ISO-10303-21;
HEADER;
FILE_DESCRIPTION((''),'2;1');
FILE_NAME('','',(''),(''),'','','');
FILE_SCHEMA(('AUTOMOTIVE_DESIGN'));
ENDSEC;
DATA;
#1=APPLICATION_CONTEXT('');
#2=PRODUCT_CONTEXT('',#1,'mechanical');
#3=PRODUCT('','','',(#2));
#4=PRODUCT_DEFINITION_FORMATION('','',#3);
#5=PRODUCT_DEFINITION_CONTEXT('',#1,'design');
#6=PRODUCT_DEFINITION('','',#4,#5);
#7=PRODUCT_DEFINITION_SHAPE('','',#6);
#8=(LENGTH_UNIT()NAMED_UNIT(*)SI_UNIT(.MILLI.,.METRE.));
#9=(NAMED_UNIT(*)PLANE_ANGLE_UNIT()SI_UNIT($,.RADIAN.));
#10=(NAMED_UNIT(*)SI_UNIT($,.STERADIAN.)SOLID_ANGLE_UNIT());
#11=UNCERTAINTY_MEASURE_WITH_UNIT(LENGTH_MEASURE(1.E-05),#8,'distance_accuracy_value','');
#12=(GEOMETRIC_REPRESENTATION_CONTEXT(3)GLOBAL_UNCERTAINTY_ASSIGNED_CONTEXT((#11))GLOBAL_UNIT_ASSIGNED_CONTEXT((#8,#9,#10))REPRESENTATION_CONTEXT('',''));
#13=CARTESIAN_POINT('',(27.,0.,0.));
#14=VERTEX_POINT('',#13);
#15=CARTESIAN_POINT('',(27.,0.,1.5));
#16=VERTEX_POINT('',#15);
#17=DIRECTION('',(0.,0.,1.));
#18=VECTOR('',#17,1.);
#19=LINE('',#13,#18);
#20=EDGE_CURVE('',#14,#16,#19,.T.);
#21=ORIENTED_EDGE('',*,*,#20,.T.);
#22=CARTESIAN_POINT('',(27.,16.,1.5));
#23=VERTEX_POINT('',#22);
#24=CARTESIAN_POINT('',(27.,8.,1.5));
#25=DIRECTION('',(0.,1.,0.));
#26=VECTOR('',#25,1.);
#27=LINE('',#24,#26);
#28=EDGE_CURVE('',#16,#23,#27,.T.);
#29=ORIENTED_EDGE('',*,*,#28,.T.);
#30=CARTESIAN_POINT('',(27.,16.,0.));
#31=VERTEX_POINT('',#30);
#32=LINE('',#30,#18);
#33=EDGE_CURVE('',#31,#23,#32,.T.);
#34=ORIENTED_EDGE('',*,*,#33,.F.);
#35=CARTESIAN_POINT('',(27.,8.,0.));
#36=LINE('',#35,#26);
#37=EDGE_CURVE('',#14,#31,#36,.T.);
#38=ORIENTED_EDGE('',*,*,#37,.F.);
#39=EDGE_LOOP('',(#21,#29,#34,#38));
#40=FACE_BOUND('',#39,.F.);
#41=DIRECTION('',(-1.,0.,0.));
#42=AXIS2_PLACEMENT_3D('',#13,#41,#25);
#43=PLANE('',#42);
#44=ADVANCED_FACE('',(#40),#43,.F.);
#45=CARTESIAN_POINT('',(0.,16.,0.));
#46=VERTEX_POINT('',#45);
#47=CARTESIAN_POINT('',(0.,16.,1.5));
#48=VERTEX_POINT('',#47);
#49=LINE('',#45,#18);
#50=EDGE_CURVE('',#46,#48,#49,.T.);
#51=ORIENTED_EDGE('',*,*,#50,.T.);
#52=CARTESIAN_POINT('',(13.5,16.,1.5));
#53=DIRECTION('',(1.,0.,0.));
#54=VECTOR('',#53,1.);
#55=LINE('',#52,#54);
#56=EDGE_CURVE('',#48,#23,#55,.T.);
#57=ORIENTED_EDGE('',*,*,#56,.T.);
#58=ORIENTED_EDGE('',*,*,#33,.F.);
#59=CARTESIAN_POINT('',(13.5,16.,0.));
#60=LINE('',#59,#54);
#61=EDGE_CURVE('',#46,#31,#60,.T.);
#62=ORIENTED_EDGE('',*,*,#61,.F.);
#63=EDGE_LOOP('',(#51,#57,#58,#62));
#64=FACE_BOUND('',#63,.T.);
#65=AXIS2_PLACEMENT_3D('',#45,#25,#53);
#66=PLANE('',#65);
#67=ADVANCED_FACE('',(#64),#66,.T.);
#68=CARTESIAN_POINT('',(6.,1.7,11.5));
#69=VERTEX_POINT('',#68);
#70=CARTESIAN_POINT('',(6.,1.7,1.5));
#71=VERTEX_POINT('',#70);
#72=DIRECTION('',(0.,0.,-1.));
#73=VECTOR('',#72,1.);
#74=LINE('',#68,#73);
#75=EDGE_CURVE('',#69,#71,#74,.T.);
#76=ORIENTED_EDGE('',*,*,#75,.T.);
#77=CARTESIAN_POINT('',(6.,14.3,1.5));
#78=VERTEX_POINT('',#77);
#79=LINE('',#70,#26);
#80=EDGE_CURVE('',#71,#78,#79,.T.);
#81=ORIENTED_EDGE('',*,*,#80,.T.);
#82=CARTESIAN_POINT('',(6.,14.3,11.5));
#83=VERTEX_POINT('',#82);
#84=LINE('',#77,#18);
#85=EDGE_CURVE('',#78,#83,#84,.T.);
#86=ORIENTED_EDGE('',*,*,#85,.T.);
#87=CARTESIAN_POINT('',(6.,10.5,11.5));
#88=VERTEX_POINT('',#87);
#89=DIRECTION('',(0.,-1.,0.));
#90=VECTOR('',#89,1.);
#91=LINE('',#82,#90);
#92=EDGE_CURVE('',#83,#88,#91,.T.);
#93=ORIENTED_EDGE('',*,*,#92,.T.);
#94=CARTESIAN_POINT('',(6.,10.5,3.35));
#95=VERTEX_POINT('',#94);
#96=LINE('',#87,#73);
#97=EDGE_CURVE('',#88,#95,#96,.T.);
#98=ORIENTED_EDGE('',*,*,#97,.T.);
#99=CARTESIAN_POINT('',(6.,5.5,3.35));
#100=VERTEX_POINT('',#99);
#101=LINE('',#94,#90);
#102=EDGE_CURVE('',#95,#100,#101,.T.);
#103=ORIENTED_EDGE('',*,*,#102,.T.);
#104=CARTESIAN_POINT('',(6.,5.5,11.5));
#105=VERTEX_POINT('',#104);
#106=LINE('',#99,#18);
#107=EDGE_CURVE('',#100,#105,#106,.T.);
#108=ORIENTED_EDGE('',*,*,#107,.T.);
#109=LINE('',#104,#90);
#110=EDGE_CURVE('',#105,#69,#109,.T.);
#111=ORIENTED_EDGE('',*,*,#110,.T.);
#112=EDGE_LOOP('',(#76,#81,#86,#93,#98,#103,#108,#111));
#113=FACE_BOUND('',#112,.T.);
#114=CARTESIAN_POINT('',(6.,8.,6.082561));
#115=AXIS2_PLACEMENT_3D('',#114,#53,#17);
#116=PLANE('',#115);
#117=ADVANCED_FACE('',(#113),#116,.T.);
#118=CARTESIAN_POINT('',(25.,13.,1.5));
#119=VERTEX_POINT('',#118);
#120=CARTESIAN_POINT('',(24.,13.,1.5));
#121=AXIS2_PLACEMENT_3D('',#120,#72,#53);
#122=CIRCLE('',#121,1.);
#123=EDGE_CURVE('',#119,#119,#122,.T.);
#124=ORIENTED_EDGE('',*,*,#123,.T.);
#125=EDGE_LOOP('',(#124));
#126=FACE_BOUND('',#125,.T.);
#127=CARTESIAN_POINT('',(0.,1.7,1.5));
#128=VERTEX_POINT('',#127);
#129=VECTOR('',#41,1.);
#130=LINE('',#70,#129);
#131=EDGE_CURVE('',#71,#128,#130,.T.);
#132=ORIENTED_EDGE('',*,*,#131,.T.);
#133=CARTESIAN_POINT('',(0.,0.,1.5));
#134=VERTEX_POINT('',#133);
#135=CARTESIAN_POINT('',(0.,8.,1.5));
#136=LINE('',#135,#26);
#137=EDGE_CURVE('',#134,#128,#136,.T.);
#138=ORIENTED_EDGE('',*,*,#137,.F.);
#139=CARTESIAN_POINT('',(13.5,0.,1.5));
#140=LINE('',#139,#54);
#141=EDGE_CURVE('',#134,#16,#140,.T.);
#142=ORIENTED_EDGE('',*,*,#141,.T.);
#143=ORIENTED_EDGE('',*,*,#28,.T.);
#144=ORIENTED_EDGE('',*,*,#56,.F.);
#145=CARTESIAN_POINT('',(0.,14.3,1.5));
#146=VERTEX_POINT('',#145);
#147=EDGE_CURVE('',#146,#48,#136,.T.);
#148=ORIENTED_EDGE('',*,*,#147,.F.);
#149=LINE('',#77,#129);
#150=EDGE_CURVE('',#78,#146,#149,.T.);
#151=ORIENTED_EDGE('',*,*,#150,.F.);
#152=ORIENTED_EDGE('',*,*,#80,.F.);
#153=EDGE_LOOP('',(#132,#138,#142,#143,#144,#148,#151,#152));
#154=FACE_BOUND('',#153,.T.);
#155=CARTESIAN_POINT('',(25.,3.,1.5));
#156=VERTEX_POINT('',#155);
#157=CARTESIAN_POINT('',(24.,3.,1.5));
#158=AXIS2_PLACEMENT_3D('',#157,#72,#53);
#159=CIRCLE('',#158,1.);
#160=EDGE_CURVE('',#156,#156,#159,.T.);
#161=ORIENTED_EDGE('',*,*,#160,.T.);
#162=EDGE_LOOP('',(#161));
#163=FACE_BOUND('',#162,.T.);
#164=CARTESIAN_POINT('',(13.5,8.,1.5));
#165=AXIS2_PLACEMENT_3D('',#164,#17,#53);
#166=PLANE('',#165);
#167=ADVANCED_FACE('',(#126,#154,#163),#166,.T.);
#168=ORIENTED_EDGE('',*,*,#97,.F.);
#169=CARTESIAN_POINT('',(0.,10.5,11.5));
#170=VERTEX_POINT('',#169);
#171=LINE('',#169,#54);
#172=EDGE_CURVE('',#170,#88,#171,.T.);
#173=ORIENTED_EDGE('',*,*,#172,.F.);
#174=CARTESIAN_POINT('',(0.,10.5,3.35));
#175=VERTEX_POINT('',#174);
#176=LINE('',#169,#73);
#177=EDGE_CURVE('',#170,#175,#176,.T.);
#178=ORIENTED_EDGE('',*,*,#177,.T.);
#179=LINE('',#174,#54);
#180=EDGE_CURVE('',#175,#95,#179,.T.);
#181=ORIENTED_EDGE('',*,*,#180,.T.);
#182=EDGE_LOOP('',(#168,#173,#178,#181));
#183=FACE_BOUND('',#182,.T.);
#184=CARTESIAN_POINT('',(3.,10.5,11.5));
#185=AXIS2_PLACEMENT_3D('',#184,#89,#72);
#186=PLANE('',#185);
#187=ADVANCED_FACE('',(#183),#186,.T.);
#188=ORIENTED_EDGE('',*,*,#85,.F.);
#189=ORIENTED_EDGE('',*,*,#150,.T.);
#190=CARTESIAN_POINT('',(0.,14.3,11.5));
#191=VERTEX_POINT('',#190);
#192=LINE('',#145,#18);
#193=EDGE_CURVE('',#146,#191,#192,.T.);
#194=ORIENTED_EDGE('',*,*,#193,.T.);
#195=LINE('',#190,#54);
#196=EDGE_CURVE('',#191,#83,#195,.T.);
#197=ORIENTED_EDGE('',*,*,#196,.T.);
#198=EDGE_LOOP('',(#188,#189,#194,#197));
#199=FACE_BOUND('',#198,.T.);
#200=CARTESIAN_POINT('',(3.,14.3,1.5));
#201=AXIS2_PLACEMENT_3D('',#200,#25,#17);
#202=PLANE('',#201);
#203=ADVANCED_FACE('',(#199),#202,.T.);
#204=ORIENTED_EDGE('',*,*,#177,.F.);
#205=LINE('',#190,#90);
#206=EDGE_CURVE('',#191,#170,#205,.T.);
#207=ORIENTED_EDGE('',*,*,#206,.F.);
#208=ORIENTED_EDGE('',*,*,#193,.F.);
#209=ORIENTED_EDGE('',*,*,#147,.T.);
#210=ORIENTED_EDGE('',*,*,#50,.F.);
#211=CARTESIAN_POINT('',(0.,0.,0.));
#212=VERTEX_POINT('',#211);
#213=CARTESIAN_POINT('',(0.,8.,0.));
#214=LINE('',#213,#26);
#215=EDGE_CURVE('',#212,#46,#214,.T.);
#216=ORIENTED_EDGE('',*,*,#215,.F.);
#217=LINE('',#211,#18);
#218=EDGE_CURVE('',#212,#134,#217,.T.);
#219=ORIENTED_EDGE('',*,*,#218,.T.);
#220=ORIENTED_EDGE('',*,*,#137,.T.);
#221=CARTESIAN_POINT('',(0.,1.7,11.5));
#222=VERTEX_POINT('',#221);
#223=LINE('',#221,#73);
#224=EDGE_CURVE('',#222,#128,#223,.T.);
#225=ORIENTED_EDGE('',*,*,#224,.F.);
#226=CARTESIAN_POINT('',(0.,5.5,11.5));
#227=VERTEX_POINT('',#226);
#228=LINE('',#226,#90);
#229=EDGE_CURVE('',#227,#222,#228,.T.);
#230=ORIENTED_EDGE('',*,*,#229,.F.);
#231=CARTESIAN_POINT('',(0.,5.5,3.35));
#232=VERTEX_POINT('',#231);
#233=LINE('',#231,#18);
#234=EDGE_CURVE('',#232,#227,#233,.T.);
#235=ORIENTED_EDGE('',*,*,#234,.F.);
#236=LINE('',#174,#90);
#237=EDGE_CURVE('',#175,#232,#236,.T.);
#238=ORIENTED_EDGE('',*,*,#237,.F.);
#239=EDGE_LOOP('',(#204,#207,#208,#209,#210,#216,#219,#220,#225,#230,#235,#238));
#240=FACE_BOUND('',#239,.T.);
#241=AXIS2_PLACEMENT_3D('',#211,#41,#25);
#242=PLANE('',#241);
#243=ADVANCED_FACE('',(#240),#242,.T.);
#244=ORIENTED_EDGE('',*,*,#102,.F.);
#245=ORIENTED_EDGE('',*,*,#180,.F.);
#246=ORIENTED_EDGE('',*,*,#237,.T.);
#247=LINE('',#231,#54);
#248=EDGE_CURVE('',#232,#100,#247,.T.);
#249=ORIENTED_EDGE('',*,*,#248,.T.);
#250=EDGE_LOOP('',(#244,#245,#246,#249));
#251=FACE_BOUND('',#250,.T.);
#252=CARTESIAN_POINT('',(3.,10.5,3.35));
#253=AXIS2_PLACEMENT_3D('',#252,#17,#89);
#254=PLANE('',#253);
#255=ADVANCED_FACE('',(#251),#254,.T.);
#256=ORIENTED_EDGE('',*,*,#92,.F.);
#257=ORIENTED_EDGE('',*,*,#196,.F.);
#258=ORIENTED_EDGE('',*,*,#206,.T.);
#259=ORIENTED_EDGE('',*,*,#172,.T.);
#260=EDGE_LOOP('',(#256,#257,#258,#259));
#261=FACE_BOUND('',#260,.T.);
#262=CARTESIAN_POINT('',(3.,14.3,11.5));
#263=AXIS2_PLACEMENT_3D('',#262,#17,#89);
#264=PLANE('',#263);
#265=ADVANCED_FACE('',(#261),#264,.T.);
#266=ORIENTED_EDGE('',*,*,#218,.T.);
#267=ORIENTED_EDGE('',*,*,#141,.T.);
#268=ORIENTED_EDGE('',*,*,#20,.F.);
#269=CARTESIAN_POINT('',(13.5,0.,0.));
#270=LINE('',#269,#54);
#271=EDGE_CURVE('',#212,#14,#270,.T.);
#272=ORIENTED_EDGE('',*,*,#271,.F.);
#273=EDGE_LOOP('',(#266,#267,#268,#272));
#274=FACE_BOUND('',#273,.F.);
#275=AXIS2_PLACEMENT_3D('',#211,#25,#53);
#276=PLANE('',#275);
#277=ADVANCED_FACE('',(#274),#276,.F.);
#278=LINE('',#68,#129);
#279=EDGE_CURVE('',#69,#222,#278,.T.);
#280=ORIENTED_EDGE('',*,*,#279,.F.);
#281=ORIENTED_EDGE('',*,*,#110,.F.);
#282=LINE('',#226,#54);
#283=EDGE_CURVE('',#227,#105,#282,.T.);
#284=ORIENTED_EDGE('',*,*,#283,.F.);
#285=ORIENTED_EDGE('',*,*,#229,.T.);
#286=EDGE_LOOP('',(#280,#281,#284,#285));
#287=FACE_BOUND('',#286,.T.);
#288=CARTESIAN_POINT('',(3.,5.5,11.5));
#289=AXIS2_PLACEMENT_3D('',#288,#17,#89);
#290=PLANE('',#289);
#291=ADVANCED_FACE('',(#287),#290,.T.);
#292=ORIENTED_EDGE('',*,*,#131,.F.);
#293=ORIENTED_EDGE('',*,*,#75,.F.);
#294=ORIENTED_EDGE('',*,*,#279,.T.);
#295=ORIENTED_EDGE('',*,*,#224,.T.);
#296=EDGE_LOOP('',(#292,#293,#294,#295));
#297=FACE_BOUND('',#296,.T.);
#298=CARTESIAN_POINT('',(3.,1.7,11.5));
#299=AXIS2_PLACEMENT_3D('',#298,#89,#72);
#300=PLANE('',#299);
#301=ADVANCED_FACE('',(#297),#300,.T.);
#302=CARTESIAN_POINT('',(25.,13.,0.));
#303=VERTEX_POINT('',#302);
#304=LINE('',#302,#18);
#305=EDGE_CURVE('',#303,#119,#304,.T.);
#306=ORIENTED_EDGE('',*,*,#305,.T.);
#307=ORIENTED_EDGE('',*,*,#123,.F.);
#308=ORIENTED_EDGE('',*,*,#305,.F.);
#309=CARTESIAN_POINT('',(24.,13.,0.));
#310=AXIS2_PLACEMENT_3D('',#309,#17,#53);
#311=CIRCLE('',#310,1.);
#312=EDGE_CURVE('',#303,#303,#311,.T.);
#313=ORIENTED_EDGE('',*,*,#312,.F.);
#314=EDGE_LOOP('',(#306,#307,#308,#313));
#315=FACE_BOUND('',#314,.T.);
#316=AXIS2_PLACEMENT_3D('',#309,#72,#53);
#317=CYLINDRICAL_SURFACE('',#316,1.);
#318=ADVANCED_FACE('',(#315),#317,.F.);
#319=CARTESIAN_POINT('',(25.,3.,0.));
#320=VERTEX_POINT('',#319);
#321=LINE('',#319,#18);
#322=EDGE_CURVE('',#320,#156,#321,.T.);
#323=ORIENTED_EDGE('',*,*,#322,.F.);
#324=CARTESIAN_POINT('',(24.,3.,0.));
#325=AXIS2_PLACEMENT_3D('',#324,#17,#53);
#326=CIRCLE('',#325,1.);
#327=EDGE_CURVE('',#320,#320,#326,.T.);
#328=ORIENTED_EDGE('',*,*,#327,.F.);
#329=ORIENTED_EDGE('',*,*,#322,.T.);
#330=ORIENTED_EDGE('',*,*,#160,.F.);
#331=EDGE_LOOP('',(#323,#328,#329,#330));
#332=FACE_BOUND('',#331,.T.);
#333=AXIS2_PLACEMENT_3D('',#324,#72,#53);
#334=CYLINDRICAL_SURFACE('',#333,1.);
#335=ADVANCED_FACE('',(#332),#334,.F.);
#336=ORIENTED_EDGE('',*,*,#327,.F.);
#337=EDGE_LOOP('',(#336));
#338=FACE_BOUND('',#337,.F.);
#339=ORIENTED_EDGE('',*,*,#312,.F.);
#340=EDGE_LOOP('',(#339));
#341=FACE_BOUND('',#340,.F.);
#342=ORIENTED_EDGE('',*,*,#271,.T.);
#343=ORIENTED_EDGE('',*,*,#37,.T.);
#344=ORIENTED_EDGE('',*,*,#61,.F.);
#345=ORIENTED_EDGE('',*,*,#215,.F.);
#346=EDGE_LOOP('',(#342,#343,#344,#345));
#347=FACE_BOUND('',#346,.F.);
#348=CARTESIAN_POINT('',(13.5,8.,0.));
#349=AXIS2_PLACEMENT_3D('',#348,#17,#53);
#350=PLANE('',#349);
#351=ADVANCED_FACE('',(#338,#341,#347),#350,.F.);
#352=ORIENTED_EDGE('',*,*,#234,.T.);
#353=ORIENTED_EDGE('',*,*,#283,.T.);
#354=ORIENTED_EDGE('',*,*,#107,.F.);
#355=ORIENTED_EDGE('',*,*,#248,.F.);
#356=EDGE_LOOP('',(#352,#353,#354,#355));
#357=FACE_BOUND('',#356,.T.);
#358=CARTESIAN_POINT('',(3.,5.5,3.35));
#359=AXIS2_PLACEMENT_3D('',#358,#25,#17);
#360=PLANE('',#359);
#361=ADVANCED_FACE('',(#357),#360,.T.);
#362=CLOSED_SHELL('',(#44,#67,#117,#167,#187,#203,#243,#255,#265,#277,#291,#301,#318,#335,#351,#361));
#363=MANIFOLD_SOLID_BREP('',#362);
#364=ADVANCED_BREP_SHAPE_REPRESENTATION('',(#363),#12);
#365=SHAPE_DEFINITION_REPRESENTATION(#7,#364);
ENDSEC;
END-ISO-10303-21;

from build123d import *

# Parameters (mm, degrees)
PAD042_DEPTH             = 3
CLONE021_PLACEMENT_ANGLE = 90
CYLINDER1056_R           = 1
CYLINDER1056_DEPTH       = 5
CYLINDER1057_R           = 1
CYLINDER1057_DEPTH       = 5
BOX265_W                 = 27
BOX265_H                 = 16
BOX265_DEPTH             = 1.5


with BuildPart() as clone_of_opto_isolator:
    # Sketch067 → Pad042 (new body, symmetric)
    with BuildSketch(Plane(origin=(13, 8, 1.5), x_dir=(0, 0, 1), z_dir=(0, -1, 0))):
        Polygon((0, 0), (10, 0), (10, 3.8), (1.85, 3.8), (1.85, 8.8), (10, 8.8), (10, 12.6), (0, 12.6), align=None)
    extrude(amount=PAD042_DEPTH, both=True)


with BuildPart() as clone_of_opto_isolator_1:
    # Clone021 placement: moved
    add(clone_of_opto_isolator.part.moved(Location((11, 1.3, 0))).rotate(Axis((11, 1.3, 0), (0, 0, 1)), CLONE021_PLACEMENT_ANGLE))


with BuildPart() as cylinder1094:
    # Cylinder1056 → Cylinder1056 (new body)
    with BuildSketch(Plane(origin=(24, 3, 0), x_dir=(1, 0, 0), z_dir=(0, 0, 1))):
        Circle(CYLINDER1056_R)
    extrude(amount=CYLINDER1056_DEPTH)


with BuildPart() as fusion153:
    # Cylinder1057 → Cylinder1057 (new body)
    with BuildSketch(Plane(origin=(24, 13, 0), x_dir=(1, 0, 0), z_dir=(0, 0, 1))):
        Circle(CYLINDER1057_R)
    extrude(amount=CYLINDER1057_DEPTH)

    # Fusion153: union Cylinder1094
    add(cylinder1094.part)


with BuildPart() as optopcbb:
    # Box265 → Box265 (new body)
    with BuildSketch(Plane.XY):
        with Locations((13.5, 8)):
            Rectangle(BOX265_W, BOX265_H)
    extrude(amount=BOX265_DEPTH)

    # Cut137: cut Fusion153
    add(fusion153.part, mode=Mode.SUBTRACT)

    # Fusion: union Clone of Opto-isolator
    add(clone_of_opto_isolator_1.part)


solid = optopcbb.part
